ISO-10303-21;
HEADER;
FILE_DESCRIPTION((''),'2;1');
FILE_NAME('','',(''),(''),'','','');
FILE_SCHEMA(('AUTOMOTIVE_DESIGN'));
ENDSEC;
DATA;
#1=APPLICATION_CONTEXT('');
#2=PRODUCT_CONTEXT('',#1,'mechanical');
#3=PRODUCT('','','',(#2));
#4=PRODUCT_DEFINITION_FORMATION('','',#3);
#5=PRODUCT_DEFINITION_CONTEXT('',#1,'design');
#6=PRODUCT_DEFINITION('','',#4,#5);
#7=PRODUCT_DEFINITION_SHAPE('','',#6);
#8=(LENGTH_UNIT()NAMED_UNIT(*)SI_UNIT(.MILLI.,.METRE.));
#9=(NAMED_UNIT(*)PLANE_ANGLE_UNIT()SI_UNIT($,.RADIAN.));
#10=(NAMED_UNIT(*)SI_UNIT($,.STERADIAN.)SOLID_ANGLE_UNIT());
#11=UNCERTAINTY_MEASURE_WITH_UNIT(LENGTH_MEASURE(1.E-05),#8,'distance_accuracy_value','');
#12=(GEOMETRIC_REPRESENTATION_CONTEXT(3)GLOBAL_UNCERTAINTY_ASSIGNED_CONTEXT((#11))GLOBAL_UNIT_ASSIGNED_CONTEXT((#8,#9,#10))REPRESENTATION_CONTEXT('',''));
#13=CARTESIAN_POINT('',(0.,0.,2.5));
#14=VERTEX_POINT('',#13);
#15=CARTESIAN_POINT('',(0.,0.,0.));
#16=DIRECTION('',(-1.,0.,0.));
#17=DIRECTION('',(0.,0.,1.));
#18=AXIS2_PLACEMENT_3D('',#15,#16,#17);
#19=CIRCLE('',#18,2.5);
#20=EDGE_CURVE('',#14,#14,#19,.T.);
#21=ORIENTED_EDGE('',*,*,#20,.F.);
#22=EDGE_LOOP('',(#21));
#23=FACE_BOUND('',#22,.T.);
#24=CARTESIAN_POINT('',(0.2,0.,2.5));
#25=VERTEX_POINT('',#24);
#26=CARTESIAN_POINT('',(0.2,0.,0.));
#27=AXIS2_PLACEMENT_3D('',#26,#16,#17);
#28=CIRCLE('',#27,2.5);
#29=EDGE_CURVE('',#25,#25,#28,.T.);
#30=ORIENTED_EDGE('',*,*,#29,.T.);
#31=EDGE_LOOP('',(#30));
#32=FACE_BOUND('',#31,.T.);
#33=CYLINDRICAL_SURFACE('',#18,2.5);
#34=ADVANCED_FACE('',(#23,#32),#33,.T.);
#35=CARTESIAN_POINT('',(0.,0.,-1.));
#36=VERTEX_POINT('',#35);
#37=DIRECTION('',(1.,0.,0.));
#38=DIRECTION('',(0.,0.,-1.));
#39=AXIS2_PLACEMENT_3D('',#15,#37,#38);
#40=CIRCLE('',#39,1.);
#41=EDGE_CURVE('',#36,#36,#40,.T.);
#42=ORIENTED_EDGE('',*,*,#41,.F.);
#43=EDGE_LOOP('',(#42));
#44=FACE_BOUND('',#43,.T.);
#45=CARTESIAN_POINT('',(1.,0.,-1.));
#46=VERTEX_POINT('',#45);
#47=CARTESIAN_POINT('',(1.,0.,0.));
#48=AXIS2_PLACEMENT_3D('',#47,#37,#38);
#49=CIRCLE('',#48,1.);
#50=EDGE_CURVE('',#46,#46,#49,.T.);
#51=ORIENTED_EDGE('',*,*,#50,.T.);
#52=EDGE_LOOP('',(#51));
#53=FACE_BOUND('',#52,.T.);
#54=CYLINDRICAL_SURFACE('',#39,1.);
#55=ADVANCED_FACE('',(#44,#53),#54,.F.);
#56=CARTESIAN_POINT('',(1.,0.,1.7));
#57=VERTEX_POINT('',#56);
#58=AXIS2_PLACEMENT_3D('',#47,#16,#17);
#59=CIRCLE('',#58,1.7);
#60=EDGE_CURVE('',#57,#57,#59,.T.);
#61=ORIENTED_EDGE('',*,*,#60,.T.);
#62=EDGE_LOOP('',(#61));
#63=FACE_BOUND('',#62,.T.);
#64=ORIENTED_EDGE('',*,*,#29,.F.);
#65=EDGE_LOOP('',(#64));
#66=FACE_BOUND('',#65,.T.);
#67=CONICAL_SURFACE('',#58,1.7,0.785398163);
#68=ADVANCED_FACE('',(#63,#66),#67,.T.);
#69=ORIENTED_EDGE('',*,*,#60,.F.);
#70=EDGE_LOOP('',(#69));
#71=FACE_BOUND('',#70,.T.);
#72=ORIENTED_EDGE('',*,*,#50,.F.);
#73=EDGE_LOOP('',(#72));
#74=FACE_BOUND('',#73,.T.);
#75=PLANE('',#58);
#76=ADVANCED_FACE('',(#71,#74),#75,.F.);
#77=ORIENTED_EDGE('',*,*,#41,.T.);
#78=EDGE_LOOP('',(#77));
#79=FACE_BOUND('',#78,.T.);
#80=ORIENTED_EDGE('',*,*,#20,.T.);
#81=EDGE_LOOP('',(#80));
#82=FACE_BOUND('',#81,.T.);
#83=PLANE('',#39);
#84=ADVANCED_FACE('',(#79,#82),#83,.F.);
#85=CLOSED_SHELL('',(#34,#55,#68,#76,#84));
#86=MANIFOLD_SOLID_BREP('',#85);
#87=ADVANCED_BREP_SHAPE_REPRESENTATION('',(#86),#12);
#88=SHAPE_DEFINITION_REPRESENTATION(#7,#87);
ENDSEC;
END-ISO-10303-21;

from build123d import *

# Parameters (mm, degrees)
CROQUIS2_R            = 1
CORTAR_EXTRUIR1_DEPTH = 4.674234614


with BuildPart() as part:
    # Croquis1 → Revolución1 (revolve)
    with BuildSketch(Plane.XY, mode=Mode.PRIVATE) as revoluci_n1_sk:
        Polygon((0, 0), (0, 2.5), (0.2, 2.5), (1, 1.7), (1, 0), align=None)
    revolve(revoluci_n1_sk.sketch.rotate(Axis((0, 0, 0), (1, 0, 0)), 90), axis=Axis((0, 0, 0), (1, 0, 0)))

    # Croquis2 → Cortar-Extruir1 (cut, through all)
    with BuildSketch(Plane(origin=(1, 0, 0), x_dir=(0, 0, -1), z_dir=(1, 0, 0))):
        Circle(CROQUIS2_R)
    extrude(amount=-CORTAR_EXTRUIR1_DEPTH, mode=Mode.SUBTRACT)


solid = part.part
